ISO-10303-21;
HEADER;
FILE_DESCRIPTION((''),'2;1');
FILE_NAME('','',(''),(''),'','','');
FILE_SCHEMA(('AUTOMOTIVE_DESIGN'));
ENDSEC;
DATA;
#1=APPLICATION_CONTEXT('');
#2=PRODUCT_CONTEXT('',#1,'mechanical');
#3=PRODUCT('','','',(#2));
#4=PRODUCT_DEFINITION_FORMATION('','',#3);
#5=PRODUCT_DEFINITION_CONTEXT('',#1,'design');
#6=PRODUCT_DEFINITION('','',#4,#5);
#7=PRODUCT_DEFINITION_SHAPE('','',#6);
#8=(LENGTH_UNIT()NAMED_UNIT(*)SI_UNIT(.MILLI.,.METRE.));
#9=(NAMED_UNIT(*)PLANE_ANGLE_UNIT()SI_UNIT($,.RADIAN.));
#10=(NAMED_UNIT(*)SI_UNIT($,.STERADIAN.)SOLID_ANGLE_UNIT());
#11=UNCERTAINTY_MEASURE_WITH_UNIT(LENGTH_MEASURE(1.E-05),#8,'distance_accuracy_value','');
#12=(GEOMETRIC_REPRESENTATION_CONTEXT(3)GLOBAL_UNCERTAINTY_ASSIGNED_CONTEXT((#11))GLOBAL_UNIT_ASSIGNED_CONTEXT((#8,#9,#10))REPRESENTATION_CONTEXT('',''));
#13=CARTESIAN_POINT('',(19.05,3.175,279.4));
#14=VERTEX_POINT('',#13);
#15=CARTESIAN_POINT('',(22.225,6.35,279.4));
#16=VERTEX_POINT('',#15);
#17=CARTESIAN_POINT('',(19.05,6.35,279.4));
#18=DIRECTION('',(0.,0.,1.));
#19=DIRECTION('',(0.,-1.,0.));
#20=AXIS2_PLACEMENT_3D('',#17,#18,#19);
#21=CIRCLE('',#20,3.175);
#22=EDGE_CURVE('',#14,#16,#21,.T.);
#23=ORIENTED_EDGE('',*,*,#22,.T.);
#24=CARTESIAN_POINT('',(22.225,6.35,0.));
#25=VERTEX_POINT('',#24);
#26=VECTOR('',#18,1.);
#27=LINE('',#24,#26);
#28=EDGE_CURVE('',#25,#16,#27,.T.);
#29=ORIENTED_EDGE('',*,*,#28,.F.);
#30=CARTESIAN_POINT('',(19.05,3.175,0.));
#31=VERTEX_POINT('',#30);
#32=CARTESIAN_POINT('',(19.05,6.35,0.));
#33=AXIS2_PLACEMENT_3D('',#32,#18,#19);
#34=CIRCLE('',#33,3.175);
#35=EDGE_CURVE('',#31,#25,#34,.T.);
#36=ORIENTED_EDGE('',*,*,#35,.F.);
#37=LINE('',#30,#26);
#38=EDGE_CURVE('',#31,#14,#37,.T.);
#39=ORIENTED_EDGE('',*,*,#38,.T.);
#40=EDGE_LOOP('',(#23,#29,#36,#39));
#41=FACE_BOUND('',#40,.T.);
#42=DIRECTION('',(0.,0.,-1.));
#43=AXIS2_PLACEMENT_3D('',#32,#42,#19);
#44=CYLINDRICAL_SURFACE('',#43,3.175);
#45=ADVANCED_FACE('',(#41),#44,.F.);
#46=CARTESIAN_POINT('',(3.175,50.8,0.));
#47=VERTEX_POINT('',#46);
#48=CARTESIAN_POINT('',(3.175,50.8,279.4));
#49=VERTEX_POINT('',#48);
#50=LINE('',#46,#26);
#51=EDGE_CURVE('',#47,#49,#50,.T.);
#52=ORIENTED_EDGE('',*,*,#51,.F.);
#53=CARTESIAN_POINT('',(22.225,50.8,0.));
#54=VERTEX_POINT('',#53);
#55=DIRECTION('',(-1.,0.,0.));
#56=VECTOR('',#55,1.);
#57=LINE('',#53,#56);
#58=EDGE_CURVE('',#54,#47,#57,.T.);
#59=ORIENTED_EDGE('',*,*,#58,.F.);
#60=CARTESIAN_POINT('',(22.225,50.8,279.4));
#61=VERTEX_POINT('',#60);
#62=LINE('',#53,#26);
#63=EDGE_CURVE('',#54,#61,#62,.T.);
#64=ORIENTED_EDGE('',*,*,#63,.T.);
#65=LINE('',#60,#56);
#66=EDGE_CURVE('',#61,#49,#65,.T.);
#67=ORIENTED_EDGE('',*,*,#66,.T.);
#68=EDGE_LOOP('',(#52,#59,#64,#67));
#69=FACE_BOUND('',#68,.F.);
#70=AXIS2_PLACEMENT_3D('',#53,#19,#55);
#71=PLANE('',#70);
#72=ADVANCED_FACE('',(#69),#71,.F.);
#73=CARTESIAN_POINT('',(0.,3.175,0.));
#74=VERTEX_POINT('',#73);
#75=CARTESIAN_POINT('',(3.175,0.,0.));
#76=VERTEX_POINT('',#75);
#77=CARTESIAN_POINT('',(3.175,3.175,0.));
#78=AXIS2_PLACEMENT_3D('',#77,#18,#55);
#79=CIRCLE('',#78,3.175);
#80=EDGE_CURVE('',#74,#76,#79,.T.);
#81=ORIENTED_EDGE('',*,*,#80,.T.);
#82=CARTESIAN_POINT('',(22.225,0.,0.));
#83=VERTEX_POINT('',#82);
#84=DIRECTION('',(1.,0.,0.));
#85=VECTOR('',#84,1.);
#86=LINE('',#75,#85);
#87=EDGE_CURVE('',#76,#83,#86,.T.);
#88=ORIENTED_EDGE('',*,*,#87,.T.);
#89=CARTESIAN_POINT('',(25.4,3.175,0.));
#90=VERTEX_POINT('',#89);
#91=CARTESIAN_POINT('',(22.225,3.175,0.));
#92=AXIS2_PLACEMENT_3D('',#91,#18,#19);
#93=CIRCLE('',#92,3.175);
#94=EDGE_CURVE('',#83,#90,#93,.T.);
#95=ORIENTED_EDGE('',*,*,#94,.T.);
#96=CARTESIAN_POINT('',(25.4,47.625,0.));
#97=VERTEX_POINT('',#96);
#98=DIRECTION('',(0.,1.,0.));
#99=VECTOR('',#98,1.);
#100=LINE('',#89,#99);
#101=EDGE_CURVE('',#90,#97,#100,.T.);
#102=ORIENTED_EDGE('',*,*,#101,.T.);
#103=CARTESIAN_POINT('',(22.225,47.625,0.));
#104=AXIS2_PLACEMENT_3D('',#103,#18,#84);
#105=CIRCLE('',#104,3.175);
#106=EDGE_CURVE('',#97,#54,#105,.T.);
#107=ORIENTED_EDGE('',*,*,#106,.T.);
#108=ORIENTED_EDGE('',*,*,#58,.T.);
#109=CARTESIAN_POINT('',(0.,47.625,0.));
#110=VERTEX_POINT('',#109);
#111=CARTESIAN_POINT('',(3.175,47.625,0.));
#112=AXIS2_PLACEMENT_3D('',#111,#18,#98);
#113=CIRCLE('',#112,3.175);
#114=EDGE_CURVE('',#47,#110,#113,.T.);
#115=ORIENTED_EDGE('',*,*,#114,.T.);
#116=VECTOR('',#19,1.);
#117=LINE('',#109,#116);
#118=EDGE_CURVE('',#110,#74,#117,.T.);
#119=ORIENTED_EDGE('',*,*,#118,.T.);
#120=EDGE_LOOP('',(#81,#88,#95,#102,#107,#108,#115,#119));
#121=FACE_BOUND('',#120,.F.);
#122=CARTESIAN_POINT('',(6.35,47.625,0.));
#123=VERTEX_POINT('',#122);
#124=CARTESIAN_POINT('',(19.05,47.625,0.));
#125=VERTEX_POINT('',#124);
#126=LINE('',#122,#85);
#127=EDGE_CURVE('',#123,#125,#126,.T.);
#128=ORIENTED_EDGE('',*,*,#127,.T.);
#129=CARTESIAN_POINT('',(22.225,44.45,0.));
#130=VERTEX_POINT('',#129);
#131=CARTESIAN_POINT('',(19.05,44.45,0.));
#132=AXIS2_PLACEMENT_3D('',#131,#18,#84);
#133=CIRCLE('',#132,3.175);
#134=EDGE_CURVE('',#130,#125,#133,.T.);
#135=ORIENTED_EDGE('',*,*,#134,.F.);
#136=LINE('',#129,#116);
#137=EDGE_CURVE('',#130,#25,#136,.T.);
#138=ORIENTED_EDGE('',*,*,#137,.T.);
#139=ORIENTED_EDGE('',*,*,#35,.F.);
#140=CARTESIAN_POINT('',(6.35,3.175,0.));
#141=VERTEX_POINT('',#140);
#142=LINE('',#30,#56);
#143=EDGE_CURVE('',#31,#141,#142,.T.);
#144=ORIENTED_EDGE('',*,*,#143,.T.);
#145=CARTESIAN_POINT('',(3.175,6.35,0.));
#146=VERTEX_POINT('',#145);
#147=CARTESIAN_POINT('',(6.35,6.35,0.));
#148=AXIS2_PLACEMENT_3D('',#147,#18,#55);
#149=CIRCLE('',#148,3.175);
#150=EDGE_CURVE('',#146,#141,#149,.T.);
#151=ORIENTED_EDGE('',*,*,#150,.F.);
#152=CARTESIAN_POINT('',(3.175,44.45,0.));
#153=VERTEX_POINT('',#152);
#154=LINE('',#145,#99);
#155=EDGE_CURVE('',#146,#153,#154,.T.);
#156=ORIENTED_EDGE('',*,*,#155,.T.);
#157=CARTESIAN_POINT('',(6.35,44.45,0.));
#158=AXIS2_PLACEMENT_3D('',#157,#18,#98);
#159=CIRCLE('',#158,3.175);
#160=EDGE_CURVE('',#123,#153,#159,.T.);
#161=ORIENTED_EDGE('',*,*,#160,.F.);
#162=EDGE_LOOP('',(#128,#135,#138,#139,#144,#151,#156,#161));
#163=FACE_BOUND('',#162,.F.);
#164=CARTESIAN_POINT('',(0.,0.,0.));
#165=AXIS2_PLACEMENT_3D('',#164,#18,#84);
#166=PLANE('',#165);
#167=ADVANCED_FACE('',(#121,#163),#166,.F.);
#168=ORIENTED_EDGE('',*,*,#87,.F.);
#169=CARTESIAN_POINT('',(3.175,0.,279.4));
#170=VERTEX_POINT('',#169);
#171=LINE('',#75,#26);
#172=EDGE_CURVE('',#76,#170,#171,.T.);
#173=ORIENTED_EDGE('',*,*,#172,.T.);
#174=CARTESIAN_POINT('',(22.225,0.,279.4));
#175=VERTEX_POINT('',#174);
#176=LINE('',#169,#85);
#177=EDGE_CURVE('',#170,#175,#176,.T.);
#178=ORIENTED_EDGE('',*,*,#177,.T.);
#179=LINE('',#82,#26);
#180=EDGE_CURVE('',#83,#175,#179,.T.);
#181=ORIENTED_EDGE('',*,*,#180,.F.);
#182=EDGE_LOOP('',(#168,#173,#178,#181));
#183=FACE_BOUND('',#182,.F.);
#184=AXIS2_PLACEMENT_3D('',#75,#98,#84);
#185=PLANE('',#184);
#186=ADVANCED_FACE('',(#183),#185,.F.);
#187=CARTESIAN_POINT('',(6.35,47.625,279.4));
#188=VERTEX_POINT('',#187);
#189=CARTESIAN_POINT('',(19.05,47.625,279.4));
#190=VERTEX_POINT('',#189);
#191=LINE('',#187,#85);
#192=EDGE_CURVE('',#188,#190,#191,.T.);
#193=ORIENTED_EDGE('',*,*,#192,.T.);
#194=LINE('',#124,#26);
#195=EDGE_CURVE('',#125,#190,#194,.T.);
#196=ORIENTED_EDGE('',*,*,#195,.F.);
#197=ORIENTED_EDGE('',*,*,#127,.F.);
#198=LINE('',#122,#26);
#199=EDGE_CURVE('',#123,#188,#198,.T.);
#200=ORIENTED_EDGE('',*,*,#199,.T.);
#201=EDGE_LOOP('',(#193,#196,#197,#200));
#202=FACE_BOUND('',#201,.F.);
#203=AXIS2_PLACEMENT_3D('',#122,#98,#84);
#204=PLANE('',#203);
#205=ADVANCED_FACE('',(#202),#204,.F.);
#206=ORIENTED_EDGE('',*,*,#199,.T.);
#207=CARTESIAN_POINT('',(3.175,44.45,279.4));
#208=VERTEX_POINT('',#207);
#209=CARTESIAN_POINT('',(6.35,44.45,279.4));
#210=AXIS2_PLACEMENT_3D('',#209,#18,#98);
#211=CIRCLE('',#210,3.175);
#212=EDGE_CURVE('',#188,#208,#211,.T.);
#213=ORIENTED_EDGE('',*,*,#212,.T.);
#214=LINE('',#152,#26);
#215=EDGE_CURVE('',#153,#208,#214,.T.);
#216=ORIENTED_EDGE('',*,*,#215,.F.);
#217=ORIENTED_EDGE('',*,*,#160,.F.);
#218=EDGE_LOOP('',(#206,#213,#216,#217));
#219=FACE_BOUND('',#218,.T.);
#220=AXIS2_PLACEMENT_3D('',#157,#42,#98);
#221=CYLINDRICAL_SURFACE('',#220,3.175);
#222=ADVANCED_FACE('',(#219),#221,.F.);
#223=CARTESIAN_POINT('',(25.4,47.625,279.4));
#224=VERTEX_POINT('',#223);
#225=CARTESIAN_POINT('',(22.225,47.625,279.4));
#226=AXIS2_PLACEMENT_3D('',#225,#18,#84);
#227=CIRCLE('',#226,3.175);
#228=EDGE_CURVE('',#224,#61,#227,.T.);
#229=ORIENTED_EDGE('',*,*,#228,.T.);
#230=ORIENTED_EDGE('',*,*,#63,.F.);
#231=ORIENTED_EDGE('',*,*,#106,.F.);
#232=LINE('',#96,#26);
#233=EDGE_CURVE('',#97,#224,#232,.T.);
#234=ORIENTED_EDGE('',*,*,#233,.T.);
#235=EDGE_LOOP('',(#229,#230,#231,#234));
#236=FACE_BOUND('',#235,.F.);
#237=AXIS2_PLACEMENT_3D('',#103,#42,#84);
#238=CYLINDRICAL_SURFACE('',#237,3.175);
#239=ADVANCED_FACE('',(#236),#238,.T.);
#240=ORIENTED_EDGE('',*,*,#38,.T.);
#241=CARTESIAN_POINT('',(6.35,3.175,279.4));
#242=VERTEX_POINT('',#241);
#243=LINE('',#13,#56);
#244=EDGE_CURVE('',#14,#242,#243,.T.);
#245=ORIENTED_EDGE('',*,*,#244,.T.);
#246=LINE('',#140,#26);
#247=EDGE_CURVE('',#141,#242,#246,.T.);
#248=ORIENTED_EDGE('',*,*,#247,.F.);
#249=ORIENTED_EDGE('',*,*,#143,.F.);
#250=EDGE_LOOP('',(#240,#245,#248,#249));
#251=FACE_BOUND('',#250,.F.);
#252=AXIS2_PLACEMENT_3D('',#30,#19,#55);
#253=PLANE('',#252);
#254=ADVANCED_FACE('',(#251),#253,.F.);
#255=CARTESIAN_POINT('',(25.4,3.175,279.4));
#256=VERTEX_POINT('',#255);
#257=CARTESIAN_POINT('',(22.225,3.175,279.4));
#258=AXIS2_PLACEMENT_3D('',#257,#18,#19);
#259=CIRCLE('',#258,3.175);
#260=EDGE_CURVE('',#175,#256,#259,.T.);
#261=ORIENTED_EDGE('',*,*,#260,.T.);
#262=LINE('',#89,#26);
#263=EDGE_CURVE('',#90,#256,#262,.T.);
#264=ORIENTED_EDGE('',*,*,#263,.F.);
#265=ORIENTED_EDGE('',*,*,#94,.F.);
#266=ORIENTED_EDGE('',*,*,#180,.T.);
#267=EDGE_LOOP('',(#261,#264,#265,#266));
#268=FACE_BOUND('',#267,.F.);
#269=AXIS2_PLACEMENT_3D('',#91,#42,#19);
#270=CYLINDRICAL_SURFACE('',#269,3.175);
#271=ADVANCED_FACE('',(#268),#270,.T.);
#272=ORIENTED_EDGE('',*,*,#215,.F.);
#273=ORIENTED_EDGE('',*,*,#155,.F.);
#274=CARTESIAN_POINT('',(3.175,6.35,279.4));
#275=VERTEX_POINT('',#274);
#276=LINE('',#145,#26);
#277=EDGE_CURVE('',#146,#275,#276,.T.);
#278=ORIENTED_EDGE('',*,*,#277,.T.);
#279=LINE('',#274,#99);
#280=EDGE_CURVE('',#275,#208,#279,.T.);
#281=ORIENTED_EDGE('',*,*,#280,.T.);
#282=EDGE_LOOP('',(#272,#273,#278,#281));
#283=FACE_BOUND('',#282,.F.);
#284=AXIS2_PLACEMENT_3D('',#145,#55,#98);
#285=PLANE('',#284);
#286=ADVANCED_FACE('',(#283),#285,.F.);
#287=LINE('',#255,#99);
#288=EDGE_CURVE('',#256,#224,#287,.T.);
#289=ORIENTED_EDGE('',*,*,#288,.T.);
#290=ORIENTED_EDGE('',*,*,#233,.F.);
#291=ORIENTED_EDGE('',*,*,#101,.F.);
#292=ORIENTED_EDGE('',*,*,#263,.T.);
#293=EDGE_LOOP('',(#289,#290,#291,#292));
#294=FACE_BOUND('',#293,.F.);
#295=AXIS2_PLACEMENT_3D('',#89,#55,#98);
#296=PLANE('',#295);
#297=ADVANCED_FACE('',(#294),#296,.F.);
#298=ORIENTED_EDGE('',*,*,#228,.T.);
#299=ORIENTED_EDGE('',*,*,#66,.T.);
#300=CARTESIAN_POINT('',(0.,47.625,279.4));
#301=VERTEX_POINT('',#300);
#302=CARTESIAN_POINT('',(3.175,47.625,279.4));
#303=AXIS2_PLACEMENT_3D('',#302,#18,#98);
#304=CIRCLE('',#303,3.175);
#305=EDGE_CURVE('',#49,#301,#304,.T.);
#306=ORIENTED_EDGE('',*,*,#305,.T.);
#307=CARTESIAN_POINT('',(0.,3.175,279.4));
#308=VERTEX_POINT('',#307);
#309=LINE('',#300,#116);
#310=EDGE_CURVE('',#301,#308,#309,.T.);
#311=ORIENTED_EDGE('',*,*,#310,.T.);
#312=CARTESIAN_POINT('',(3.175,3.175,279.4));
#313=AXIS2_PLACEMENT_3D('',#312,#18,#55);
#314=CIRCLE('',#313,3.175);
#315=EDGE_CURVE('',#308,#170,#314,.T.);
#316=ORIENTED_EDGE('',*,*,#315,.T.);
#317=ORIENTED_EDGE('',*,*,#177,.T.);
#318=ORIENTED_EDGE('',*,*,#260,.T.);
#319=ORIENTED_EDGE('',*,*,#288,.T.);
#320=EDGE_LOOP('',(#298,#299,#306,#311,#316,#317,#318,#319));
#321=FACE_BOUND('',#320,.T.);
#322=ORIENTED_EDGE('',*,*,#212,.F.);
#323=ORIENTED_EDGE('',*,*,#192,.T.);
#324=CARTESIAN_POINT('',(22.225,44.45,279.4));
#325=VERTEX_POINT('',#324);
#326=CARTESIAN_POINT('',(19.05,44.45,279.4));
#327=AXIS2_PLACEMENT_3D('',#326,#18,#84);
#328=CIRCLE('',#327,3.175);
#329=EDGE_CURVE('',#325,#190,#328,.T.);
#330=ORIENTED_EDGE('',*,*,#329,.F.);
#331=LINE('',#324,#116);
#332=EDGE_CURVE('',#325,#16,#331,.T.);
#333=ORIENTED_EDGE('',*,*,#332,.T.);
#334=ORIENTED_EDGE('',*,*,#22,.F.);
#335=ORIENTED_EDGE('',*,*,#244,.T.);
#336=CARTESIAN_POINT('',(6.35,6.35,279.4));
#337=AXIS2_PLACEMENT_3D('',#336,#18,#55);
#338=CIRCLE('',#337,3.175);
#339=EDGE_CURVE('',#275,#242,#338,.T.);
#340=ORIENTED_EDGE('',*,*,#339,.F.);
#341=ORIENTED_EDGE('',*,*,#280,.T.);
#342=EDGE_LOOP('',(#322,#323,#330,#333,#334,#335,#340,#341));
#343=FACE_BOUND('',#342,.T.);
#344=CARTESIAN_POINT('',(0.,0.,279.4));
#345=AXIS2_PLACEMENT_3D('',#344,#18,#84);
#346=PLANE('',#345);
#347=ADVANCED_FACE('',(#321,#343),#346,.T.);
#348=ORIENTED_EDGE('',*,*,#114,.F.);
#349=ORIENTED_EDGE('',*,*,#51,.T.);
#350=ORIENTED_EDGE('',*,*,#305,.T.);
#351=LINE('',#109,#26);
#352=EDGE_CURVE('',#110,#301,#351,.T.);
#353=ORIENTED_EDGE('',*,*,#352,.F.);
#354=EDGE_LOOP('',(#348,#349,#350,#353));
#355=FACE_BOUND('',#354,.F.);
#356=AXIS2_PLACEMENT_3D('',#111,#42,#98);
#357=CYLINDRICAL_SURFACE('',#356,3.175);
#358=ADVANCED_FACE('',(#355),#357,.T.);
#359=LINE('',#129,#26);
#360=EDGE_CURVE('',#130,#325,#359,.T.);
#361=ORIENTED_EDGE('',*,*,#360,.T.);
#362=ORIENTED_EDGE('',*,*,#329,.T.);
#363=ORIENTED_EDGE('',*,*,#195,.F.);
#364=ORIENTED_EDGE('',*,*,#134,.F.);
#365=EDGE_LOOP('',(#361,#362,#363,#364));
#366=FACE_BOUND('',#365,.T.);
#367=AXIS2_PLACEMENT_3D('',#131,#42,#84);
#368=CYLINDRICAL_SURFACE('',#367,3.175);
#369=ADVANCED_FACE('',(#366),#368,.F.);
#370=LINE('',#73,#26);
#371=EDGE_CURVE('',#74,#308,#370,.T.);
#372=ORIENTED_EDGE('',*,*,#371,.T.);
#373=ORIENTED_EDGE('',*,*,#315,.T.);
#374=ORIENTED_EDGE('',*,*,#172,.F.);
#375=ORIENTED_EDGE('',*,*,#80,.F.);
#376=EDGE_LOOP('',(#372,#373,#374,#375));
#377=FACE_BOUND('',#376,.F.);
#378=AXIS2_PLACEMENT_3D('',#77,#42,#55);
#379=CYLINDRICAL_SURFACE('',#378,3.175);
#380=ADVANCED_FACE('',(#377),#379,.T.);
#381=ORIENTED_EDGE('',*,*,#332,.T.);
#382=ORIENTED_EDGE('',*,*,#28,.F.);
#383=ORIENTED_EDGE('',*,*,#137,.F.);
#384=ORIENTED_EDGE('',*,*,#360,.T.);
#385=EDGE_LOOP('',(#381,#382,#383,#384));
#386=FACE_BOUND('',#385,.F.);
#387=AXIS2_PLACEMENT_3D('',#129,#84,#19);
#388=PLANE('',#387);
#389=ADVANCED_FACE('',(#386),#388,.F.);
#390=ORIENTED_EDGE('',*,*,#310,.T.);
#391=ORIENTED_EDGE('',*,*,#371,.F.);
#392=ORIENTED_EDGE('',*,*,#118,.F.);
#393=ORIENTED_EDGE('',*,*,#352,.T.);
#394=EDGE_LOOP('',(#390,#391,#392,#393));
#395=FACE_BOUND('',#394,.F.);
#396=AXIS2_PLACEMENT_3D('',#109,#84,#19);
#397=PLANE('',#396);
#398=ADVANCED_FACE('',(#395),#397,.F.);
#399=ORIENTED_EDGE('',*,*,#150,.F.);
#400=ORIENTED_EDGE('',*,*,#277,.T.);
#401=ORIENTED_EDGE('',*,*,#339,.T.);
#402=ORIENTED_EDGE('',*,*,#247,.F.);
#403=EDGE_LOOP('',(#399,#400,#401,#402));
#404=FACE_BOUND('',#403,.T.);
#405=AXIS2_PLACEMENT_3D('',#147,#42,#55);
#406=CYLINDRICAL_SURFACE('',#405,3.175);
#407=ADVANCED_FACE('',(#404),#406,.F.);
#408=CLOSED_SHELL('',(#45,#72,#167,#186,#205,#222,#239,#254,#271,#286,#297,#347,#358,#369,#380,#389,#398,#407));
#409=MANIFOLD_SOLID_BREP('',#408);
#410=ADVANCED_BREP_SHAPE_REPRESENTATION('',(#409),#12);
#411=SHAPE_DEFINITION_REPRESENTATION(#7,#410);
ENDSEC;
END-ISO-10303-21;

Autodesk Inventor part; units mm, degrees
ref_plane "YZ Plane" through (0, 0, 0) normal (1, 0, 0) x (0, 1, 0)
ref_plane "XZ Plane" through (0, 0, 0) normal (0, 1, 0) x (-1, 0, 0)
ref_plane "XY Plane" through (0, 0, 0) normal (0, 0, 1) x (1, 0, 0)
sketch "Sketch1" plane through (0, 0, 0) normal (0, 0, 1) x (1, 0, 0)
  line L0 (3.175, 0) -> (22.225, 0)
  line L1 (25.4, 3.175) -> (25.4, 47.625)
  line L2 (22.225, 50.8) -> (3.175, 50.8)
  line L3 (0, 47.625) -> (0, 3.175)
  arc A0 (3.175, 50.8) -> (0, 47.625) centre (3.175, 47.625) ccw
  arc A1 (25.4, 47.625) -> (22.225, 50.8) centre (22.225, 47.625) ccw
  arc A2 (22.225, 0) -> (25.4, 3.175) centre (22.225, 3.175) ccw
  arc A3 (0, 3.175) -> (3.175, 0) centre (3.175, 3.175) ccw
  line L4 (6.35, 47.625) -> (19.05, 47.625)
  line L5 (22.225, 44.45) -> (22.225, 6.35)
  line L6 (19.05, 3.175) -> (6.35, 3.175)
  line L7 (3.175, 6.35) -> (3.175, 44.45)
  arc A4 (6.35, 47.625) -> (3.175, 44.45) centre (6.35, 44.45) ccw
  arc A5 (22.225, 44.45) -> (19.05, 47.625) centre (19.05, 44.45) ccw
  arc A6 (3.175, 6.35) -> (6.35, 3.175) centre (6.35, 6.35) ccw
  arc A7 (19.05, 3.175) -> (22.225, 6.35) centre (19.05, 6.35) ccw
  point P0 (0, 0)
  point P1 (25.4, 0)
  point P2 (0, 50.8)
  dimension "d0" = 50.8
  dimension "d1" = 25.4
  dimension "d2" = 3.175
  dimension "d3" = 3.175
  dimension "d4" = 3.175
  dimension "d5" = 3.175
  dimension "d6" = 3.175
  dimension "d7" = 3.175
  dimension "d8" = 3.175
  dimension "d9" = 3.175
  dimension "d10" = 3.175
extrude "Extrusion1" add sketch "Sketch1" along normal blind 279.4
properties part number "O channel 11 inch"
